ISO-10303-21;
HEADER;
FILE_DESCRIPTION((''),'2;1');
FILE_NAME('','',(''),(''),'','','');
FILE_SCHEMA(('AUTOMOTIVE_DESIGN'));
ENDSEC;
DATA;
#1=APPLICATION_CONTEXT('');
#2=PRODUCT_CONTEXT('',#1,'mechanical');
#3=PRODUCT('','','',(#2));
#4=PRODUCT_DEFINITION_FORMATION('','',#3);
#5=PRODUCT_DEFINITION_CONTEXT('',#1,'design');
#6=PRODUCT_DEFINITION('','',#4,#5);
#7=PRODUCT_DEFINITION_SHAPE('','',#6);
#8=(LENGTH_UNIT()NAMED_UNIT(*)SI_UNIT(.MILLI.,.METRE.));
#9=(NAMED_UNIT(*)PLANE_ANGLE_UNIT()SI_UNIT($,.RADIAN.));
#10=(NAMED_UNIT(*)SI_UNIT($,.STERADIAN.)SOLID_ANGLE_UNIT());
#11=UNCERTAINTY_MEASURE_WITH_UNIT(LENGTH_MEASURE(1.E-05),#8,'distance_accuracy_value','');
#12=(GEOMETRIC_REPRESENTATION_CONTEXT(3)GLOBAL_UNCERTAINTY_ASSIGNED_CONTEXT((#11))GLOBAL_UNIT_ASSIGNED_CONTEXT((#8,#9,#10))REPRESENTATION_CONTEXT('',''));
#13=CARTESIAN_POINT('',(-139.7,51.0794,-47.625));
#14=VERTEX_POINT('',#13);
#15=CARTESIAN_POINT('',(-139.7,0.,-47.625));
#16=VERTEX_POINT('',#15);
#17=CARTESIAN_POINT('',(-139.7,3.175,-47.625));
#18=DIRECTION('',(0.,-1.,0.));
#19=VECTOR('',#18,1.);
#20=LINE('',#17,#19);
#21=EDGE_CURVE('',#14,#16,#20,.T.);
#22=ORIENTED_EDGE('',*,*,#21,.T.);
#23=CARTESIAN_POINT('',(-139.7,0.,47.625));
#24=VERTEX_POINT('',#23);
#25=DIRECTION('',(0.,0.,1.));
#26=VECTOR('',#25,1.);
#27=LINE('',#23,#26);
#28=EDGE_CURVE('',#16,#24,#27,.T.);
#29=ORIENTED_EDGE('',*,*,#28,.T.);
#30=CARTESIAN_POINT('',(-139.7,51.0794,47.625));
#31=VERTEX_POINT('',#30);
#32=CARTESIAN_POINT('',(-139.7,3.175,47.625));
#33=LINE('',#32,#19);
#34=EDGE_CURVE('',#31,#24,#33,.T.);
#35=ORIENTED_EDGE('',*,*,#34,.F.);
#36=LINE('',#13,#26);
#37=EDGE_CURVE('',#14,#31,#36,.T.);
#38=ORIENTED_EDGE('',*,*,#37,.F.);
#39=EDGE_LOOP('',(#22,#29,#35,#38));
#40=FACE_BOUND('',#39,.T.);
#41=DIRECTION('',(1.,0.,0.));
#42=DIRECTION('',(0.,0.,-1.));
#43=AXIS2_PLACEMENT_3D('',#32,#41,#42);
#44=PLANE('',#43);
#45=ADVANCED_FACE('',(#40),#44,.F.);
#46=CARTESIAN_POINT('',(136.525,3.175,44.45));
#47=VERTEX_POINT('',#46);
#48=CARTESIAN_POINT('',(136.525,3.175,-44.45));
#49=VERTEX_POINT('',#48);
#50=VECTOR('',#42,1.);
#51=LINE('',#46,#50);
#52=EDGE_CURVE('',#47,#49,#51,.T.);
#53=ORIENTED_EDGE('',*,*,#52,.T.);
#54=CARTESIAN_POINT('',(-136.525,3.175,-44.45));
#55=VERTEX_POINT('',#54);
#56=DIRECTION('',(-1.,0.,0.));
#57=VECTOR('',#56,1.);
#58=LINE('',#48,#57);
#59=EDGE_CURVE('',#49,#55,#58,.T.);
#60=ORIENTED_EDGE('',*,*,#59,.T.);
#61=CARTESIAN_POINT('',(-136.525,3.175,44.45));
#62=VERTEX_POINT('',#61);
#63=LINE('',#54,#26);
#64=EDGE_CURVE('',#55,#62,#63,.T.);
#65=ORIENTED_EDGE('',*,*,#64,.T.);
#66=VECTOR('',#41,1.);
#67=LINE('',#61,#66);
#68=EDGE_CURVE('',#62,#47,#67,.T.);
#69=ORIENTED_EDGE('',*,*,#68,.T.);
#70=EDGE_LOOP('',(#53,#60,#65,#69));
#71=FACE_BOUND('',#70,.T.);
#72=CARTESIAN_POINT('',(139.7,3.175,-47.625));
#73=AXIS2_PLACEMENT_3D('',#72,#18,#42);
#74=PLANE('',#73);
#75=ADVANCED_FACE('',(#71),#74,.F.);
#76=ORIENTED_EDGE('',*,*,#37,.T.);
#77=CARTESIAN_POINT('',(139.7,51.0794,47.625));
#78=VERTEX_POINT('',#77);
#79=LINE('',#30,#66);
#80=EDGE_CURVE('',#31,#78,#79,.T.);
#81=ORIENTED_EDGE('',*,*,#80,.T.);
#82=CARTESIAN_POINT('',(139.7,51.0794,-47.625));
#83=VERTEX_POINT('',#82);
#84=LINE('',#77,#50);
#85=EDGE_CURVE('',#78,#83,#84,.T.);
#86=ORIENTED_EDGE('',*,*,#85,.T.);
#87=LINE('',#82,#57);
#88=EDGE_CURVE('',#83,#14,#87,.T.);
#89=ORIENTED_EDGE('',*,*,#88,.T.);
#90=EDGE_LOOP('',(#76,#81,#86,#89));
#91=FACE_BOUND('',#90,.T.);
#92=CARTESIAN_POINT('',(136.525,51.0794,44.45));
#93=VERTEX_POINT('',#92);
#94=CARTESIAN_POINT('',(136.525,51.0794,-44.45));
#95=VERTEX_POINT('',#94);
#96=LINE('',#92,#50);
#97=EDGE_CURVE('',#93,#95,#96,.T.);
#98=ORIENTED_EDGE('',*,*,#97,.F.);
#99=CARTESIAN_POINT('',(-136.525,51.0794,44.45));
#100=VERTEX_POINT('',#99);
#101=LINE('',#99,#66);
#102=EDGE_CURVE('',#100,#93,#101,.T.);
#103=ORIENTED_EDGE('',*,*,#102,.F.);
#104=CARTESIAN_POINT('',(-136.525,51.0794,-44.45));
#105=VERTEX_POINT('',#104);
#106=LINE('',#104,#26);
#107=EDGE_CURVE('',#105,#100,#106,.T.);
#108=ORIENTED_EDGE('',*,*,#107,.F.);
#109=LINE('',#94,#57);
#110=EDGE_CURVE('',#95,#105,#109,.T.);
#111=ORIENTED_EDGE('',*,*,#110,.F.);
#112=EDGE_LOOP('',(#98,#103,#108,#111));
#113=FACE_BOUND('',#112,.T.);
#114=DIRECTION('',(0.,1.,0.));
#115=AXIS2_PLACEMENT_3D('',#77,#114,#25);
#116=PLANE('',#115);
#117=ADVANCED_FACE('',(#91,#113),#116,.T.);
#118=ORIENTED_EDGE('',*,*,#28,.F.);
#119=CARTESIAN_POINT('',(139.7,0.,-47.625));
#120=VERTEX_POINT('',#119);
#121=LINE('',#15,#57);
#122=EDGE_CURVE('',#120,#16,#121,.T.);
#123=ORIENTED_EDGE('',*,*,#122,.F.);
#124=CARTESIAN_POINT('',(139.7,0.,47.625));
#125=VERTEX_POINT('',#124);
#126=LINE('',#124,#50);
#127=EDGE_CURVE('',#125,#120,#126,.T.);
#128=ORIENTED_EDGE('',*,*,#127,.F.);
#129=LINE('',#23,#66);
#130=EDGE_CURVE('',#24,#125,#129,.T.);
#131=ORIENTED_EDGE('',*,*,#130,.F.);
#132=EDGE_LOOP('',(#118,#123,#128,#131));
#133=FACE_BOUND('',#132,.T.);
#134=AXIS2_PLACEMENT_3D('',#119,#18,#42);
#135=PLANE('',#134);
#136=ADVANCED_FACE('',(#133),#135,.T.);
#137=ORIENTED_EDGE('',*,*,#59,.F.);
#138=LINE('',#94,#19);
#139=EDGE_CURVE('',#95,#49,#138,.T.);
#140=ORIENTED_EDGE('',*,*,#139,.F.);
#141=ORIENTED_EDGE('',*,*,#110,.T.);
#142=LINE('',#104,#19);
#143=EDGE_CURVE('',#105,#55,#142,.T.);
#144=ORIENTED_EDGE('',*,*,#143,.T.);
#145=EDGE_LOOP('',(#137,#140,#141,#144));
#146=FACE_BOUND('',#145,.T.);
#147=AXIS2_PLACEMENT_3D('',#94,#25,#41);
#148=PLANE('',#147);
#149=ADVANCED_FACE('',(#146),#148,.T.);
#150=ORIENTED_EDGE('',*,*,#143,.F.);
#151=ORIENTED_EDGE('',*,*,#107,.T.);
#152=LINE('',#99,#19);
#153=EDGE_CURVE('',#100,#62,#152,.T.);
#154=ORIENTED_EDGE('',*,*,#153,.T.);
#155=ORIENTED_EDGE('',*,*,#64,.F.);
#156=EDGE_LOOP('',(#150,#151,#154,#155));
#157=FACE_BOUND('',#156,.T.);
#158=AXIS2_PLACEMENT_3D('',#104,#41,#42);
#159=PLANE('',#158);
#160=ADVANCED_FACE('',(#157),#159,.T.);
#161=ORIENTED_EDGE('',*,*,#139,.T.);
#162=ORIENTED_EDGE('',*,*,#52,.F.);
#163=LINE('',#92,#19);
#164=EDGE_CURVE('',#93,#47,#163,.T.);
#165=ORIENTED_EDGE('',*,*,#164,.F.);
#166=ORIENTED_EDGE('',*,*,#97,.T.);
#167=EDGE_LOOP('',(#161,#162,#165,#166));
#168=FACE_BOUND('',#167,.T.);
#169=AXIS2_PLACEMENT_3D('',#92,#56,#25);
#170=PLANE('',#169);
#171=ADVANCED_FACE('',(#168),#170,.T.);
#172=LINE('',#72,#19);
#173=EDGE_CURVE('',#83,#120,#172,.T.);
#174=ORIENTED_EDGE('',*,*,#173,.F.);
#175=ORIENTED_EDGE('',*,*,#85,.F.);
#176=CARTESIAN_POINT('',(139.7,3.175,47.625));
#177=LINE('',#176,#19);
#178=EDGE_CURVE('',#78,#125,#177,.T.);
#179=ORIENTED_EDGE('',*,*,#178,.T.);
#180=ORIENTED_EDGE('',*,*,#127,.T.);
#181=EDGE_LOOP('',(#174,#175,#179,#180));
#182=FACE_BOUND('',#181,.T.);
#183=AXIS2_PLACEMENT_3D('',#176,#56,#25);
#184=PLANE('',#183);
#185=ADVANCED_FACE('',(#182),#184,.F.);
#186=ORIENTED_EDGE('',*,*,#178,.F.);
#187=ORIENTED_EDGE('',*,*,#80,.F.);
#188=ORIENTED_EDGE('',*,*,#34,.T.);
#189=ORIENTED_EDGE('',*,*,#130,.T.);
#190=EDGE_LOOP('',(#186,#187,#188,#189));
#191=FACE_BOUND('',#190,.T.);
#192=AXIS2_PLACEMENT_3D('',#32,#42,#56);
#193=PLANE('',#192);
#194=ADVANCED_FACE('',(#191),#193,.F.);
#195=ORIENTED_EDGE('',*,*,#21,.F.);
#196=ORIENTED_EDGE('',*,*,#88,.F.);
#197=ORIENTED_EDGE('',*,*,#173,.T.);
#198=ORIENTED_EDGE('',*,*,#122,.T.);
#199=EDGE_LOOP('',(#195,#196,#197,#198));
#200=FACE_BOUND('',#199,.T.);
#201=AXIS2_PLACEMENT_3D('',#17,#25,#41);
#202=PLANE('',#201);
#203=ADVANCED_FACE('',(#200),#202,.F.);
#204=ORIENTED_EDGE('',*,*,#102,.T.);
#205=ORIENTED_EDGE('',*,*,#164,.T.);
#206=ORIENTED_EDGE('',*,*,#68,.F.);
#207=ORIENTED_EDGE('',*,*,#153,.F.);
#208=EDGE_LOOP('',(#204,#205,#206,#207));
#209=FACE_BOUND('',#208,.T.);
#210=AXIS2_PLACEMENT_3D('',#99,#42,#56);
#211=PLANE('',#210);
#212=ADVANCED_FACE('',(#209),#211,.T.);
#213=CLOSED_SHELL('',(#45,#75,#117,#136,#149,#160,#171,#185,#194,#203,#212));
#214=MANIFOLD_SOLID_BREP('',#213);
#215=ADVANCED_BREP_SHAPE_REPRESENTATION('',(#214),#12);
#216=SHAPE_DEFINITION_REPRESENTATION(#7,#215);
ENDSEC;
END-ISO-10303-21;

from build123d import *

# Parameters (mm, degrees)
SKETCH1_W           = 279.4
SKETCH1_H           = 95.25
BOSS_EXTRUDE1_DEPTH = 3.175
SKETCH2_W           = 279.4
SKETCH2_H           = 95.25
SKETCH2_W_2         = 273.05
SKETCH2_H_2         = 88.9
BOSS_EXTRUDE2_DEPTH = 47.9044


with BuildPart() as part:
    # Sketch1 → Boss-Extrude1 (new body)
    with BuildSketch(Plane(origin=(0, 0, 0), x_dir=(1, 0, 0), z_dir=(0, 1, 0))):
        Rectangle(SKETCH1_W, SKETCH1_H)
    extrude(amount=BOSS_EXTRUDE1_DEPTH)

    # Sketch2 → Boss-Extrude2 (add)
    with BuildSketch(Plane(origin=(0, 3.175, 0), x_dir=(1, 0, 0), z_dir=(0, 1, 0))):
        Rectangle(SKETCH2_W, SKETCH2_H)
        Rectangle(SKETCH2_W_2, SKETCH2_H_2, mode=Mode.SUBTRACT)
    extrude(amount=BOSS_EXTRUDE2_DEPTH)


solid = part.part
